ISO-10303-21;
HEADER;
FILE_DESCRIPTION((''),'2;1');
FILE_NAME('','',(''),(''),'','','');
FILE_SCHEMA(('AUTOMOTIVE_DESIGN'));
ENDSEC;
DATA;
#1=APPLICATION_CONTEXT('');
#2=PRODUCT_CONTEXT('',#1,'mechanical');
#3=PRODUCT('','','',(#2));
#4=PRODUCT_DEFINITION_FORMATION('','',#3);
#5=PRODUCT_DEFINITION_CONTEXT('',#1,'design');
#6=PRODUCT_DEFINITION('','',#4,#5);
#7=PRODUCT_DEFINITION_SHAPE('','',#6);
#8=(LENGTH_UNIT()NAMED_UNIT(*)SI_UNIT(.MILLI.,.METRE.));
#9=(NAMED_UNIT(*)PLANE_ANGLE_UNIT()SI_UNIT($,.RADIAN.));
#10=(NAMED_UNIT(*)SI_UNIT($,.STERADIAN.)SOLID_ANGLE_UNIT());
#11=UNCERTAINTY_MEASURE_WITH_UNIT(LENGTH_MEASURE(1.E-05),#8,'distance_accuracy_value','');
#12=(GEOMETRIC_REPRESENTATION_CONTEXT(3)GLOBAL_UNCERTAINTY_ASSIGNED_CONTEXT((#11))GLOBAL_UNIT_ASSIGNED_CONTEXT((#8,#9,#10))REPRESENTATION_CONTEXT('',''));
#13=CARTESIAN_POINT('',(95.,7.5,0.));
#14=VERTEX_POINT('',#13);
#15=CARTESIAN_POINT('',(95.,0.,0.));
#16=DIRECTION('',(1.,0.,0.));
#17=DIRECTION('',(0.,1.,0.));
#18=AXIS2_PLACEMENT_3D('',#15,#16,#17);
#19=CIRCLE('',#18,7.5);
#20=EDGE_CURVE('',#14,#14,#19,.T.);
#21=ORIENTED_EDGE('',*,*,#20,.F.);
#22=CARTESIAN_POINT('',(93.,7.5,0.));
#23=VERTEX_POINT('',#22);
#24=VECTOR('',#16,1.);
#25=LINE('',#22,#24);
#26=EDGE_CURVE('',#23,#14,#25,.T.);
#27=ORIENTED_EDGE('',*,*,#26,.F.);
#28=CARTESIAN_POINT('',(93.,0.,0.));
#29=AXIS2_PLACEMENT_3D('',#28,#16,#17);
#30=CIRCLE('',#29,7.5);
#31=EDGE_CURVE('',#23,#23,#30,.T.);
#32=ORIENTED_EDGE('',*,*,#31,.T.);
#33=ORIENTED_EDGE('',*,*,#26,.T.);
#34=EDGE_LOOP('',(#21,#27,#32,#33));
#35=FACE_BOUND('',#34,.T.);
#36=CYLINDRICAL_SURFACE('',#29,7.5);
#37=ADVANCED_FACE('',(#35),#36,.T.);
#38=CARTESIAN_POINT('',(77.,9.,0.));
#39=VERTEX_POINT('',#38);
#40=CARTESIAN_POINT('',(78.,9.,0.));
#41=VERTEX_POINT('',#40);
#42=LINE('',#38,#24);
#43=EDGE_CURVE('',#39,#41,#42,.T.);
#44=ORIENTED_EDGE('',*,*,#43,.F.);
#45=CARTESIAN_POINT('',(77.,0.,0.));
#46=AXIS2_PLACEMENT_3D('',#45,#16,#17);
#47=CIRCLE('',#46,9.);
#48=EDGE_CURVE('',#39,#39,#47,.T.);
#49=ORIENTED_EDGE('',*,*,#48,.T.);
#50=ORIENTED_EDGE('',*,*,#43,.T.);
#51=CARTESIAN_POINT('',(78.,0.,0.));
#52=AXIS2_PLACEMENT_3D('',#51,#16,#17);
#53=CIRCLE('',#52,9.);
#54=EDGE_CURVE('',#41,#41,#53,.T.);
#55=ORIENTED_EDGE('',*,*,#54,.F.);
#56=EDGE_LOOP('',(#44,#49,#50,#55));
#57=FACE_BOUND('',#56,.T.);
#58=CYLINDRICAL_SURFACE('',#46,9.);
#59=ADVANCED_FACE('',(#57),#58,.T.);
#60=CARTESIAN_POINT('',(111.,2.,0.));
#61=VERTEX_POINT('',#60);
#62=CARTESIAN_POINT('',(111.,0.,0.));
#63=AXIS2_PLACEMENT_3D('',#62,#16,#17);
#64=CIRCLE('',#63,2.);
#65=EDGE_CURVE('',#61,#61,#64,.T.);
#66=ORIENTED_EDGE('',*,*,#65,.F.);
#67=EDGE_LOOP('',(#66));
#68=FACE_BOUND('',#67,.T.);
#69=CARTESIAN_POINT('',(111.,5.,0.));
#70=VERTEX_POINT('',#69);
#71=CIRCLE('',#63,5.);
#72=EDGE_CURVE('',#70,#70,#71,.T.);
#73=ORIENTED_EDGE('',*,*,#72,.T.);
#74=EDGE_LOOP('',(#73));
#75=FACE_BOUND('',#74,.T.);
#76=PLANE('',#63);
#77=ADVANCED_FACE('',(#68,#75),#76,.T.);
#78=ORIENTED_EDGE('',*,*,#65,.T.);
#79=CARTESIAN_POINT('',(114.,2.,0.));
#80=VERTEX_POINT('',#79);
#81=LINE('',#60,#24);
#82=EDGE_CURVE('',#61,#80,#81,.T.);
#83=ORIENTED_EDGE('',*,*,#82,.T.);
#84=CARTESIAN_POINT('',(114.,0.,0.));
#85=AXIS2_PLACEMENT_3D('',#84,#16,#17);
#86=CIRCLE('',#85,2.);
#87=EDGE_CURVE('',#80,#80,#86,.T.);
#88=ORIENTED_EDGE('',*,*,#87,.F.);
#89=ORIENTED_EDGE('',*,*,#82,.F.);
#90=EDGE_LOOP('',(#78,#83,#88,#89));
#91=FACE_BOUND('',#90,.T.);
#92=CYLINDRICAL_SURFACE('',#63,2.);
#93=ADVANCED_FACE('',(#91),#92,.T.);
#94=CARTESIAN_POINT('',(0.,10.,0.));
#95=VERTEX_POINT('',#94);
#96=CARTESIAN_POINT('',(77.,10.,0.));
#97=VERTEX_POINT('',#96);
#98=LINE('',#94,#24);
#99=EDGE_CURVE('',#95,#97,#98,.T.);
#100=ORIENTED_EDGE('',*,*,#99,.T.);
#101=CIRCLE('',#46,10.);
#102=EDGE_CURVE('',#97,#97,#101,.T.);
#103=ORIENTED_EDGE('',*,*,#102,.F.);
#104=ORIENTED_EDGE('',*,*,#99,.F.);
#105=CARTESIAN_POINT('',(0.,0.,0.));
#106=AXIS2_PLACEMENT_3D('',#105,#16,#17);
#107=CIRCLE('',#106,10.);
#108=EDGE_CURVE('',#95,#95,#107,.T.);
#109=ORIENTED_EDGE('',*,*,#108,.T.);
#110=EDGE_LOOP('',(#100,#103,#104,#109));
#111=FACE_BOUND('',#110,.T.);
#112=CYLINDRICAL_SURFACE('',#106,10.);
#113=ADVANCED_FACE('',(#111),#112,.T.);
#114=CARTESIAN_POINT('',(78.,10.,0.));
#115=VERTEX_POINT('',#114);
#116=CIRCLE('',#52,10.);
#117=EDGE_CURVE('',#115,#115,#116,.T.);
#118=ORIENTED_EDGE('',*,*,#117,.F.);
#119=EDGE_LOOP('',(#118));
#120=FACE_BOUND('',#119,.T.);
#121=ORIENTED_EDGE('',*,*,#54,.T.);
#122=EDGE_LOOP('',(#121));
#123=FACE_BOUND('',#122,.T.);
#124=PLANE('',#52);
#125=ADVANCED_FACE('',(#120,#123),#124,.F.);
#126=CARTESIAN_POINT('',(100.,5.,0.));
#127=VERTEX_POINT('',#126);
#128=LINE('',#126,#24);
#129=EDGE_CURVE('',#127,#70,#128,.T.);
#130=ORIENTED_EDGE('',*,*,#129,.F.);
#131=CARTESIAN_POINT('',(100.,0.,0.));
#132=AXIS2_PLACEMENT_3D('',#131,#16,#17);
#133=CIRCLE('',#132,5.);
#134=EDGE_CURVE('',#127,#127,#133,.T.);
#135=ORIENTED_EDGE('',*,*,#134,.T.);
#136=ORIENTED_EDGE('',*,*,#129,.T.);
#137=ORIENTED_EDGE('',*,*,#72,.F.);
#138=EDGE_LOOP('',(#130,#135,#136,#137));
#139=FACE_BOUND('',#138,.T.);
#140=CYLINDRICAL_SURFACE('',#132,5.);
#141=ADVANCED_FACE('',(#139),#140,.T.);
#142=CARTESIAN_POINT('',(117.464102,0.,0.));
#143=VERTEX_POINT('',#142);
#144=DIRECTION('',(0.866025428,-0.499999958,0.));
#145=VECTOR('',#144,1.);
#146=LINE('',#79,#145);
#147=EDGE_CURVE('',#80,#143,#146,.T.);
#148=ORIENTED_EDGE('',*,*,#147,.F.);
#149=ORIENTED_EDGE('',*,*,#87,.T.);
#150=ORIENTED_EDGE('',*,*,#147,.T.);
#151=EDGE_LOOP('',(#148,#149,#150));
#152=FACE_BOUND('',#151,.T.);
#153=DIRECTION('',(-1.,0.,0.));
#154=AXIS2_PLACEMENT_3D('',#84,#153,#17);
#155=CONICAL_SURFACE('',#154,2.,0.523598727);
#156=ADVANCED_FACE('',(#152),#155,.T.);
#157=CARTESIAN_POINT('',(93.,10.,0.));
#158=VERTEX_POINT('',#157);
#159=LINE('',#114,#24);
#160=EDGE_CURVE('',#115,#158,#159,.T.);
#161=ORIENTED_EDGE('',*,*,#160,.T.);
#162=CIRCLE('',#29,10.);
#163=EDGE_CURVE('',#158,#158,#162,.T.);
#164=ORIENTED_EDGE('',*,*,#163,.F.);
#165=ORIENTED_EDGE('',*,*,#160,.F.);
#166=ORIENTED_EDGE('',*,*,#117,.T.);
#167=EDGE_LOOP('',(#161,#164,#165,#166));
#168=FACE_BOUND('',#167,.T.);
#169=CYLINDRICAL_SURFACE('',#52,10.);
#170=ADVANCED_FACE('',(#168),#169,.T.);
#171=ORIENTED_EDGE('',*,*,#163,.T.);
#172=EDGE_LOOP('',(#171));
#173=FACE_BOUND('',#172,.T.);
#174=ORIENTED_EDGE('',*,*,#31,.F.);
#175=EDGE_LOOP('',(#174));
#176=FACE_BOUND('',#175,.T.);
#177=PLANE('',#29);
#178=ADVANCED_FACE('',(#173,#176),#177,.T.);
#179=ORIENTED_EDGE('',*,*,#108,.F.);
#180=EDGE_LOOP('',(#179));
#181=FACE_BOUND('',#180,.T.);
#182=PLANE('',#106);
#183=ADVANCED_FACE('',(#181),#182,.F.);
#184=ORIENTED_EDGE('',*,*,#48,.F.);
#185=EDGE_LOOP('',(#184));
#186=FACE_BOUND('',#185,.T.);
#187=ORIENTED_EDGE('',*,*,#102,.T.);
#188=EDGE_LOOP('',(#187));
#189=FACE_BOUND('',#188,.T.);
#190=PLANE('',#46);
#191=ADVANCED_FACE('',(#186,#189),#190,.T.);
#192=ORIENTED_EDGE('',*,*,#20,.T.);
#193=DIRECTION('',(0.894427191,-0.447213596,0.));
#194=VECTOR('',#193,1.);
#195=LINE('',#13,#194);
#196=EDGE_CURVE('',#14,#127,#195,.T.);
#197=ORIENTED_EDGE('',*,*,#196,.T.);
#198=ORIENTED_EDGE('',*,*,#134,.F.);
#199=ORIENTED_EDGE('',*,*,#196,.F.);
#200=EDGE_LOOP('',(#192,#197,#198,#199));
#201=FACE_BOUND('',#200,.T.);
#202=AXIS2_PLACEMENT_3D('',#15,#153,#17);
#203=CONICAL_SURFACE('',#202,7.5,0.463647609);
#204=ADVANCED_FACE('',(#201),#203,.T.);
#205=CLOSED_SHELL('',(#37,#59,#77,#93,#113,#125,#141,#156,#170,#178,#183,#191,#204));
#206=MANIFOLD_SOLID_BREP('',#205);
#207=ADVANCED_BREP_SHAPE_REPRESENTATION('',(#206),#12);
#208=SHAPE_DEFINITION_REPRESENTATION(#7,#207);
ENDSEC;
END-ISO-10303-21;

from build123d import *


with BuildPart() as part:
    # Sketch → Revolution (revolve)
    with BuildSketch(Plane.XY):
        Polygon((0, 0), (0, 10), (77, 10), (77, 9), (78, 9), (78, 10), (93, 10), (93, 7.5), (95, 7.5), (100, 5), (111, 5), (111, 2), (114, 2), (117.464102, 0), align=None)
    revolve(axis=Axis((0, 0, 0), (1, 0, 0)))


solid = part.part
